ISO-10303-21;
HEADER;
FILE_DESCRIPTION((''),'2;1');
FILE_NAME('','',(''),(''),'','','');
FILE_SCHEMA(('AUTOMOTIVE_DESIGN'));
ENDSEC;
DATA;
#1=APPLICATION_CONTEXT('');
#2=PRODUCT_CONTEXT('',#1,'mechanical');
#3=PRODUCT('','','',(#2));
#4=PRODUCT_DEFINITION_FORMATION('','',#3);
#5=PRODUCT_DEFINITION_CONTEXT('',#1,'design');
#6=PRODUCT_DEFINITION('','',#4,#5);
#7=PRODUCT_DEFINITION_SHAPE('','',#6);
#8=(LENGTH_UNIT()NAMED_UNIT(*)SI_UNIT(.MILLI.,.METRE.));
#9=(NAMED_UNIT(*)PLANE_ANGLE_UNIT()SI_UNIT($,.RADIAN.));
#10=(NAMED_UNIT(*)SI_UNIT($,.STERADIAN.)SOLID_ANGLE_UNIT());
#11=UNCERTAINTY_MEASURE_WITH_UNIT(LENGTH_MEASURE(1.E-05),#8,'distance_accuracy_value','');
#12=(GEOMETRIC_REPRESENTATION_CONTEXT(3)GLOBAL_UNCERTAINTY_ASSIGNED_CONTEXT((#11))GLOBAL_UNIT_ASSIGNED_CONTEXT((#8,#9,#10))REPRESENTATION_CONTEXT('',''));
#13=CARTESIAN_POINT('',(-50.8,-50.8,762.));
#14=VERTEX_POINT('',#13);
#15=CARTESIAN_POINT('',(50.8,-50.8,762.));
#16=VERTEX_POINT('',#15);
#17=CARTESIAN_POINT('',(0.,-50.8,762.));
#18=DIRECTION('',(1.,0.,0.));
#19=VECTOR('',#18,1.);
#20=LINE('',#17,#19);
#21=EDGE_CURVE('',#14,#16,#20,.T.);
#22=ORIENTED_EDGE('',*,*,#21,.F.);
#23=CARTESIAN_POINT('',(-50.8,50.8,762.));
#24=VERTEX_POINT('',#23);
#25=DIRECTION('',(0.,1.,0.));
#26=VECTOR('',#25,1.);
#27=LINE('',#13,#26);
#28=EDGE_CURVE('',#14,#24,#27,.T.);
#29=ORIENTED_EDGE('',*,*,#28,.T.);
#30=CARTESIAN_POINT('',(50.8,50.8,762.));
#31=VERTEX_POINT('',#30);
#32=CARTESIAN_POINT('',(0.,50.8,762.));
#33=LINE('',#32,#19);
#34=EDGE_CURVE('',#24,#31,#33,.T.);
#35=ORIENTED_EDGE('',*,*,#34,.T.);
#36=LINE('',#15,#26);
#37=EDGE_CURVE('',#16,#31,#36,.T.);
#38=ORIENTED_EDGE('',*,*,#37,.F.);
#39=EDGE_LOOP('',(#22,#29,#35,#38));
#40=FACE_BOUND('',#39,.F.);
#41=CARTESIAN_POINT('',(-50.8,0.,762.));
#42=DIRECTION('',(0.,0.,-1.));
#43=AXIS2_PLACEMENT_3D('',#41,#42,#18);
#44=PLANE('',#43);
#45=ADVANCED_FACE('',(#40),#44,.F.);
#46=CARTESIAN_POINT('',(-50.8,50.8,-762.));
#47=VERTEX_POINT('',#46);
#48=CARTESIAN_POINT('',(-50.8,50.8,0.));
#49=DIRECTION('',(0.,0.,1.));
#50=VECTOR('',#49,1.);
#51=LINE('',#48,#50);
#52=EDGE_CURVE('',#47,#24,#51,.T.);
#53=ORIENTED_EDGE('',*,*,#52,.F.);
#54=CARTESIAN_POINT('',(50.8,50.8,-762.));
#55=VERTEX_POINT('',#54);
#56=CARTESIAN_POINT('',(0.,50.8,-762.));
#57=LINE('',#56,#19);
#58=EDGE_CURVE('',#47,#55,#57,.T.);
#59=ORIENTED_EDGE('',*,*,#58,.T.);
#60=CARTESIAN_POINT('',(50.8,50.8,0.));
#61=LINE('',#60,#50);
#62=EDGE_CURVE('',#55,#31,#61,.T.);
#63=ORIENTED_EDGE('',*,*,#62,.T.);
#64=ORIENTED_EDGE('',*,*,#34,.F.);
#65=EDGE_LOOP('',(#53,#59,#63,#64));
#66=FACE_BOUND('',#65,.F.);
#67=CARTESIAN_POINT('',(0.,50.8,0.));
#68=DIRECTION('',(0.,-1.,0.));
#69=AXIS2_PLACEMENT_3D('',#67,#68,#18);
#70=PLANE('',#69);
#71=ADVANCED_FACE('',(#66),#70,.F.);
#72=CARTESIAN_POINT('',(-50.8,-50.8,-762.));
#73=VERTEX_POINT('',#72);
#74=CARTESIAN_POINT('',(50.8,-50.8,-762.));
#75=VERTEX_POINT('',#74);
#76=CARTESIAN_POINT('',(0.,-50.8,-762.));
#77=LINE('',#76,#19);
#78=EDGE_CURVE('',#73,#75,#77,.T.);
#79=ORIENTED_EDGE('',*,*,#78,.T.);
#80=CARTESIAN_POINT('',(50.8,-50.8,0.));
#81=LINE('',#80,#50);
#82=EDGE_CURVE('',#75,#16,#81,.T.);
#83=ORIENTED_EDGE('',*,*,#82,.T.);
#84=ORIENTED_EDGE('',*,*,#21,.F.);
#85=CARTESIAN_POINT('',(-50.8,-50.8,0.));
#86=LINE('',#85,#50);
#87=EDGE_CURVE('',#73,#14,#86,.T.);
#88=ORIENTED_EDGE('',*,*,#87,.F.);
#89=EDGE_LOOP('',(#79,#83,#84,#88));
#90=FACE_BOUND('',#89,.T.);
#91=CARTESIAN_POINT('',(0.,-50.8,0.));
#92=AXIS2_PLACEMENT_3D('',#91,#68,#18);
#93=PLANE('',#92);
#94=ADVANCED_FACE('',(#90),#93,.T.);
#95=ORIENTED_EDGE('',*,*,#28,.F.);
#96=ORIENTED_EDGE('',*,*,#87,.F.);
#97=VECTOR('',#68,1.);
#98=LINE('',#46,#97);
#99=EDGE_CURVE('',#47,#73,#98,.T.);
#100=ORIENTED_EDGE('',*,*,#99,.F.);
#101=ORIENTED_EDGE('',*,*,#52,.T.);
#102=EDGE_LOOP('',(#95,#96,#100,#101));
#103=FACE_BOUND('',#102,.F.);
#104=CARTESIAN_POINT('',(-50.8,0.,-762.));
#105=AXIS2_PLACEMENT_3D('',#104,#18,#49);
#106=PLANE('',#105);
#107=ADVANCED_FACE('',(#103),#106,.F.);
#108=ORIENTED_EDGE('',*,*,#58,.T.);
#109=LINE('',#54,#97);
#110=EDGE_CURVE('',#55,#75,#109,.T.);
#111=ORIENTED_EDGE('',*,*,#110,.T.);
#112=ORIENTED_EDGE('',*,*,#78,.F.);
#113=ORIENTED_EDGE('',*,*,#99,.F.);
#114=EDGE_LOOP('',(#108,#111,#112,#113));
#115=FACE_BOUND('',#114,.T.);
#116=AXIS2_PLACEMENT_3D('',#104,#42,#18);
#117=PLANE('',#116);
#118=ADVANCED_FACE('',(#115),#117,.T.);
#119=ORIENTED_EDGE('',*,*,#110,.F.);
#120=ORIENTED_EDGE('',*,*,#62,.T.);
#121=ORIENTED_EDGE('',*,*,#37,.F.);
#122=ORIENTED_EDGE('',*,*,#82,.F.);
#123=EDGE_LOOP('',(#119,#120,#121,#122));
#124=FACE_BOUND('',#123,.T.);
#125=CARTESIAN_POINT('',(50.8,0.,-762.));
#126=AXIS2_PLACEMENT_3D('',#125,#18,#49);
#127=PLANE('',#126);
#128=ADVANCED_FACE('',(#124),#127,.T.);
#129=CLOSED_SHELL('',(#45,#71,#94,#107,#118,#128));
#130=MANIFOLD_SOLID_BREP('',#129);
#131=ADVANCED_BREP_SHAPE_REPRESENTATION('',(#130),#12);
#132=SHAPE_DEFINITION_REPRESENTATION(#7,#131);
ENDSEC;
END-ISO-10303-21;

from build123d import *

# Parameters (mm, degrees)
F0_W     = 101.6
F0_H     = 1524
F1_DEPTH = 38.1
F2_DEPTH = 50.8


with BuildPart() as f1:
    # F0 (on Front) → F1 (new body, symmetric)
    with BuildSketch(Plane.XZ):
        Rectangle(F0_W, F0_H)
    extrude(amount=F1_DEPTH, both=True)

    # F0 (on Front) → F2 (join, symmetric)
    with BuildSketch(Plane.XZ):
        Rectangle(F0_W, F0_H)
    extrude(amount=F2_DEPTH, both=True)


solid = f1.part
